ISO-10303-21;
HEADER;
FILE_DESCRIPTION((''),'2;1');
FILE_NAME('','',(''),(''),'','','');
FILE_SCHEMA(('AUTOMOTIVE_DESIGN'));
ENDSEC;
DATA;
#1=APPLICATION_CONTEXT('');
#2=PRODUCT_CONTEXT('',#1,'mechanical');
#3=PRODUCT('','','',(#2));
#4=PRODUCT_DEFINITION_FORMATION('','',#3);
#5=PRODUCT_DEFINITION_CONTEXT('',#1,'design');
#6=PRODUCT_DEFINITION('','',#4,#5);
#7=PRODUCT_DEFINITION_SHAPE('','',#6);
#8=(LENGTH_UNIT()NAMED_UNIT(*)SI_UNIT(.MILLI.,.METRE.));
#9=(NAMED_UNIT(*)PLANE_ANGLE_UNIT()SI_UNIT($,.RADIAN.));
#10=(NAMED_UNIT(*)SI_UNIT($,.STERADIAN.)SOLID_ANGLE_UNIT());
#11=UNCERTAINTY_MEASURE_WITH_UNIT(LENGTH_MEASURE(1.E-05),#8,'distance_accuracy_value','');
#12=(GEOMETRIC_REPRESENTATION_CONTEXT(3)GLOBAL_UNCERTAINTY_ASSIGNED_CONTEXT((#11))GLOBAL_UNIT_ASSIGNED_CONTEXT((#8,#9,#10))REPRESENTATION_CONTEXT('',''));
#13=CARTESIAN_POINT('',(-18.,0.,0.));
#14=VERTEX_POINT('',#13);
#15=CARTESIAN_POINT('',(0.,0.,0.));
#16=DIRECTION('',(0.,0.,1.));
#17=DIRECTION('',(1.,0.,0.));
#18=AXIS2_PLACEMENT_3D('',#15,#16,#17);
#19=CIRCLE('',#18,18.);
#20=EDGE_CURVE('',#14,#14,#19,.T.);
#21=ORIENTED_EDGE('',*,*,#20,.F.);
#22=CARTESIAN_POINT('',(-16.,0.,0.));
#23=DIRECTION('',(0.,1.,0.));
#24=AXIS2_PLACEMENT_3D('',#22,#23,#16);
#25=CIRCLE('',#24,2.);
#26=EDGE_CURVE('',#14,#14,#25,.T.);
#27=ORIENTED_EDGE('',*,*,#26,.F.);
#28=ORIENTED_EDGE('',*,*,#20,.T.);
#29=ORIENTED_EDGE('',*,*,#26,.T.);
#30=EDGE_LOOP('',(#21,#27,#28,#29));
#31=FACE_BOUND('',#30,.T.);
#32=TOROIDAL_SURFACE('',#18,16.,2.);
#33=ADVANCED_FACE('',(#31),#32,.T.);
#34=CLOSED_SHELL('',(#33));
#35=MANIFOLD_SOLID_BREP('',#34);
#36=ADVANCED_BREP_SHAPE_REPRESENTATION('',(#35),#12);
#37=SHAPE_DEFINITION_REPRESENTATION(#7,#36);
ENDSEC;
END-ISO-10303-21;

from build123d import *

# Parameters (mm, degrees)
SKETCH4_R = 2


with BuildPart() as part:
    # Sweep1: sweep along a path in Sketch3
    with BuildLine(Plane.XY) as sweep1_path:
        CenterArc((0, 0), 16, 0, 360)
    # Sketch4 → Sweep1 (sweep)
    with BuildSketch(Plane(origin=(0, 0, 0), x_dir=(1, 0, 0), z_dir=(0, 1, 0))):
        with Locations((-16, 0)):
            Circle(SKETCH4_R)
    sweep(path=sweep1_path.line)


solid = part.part
